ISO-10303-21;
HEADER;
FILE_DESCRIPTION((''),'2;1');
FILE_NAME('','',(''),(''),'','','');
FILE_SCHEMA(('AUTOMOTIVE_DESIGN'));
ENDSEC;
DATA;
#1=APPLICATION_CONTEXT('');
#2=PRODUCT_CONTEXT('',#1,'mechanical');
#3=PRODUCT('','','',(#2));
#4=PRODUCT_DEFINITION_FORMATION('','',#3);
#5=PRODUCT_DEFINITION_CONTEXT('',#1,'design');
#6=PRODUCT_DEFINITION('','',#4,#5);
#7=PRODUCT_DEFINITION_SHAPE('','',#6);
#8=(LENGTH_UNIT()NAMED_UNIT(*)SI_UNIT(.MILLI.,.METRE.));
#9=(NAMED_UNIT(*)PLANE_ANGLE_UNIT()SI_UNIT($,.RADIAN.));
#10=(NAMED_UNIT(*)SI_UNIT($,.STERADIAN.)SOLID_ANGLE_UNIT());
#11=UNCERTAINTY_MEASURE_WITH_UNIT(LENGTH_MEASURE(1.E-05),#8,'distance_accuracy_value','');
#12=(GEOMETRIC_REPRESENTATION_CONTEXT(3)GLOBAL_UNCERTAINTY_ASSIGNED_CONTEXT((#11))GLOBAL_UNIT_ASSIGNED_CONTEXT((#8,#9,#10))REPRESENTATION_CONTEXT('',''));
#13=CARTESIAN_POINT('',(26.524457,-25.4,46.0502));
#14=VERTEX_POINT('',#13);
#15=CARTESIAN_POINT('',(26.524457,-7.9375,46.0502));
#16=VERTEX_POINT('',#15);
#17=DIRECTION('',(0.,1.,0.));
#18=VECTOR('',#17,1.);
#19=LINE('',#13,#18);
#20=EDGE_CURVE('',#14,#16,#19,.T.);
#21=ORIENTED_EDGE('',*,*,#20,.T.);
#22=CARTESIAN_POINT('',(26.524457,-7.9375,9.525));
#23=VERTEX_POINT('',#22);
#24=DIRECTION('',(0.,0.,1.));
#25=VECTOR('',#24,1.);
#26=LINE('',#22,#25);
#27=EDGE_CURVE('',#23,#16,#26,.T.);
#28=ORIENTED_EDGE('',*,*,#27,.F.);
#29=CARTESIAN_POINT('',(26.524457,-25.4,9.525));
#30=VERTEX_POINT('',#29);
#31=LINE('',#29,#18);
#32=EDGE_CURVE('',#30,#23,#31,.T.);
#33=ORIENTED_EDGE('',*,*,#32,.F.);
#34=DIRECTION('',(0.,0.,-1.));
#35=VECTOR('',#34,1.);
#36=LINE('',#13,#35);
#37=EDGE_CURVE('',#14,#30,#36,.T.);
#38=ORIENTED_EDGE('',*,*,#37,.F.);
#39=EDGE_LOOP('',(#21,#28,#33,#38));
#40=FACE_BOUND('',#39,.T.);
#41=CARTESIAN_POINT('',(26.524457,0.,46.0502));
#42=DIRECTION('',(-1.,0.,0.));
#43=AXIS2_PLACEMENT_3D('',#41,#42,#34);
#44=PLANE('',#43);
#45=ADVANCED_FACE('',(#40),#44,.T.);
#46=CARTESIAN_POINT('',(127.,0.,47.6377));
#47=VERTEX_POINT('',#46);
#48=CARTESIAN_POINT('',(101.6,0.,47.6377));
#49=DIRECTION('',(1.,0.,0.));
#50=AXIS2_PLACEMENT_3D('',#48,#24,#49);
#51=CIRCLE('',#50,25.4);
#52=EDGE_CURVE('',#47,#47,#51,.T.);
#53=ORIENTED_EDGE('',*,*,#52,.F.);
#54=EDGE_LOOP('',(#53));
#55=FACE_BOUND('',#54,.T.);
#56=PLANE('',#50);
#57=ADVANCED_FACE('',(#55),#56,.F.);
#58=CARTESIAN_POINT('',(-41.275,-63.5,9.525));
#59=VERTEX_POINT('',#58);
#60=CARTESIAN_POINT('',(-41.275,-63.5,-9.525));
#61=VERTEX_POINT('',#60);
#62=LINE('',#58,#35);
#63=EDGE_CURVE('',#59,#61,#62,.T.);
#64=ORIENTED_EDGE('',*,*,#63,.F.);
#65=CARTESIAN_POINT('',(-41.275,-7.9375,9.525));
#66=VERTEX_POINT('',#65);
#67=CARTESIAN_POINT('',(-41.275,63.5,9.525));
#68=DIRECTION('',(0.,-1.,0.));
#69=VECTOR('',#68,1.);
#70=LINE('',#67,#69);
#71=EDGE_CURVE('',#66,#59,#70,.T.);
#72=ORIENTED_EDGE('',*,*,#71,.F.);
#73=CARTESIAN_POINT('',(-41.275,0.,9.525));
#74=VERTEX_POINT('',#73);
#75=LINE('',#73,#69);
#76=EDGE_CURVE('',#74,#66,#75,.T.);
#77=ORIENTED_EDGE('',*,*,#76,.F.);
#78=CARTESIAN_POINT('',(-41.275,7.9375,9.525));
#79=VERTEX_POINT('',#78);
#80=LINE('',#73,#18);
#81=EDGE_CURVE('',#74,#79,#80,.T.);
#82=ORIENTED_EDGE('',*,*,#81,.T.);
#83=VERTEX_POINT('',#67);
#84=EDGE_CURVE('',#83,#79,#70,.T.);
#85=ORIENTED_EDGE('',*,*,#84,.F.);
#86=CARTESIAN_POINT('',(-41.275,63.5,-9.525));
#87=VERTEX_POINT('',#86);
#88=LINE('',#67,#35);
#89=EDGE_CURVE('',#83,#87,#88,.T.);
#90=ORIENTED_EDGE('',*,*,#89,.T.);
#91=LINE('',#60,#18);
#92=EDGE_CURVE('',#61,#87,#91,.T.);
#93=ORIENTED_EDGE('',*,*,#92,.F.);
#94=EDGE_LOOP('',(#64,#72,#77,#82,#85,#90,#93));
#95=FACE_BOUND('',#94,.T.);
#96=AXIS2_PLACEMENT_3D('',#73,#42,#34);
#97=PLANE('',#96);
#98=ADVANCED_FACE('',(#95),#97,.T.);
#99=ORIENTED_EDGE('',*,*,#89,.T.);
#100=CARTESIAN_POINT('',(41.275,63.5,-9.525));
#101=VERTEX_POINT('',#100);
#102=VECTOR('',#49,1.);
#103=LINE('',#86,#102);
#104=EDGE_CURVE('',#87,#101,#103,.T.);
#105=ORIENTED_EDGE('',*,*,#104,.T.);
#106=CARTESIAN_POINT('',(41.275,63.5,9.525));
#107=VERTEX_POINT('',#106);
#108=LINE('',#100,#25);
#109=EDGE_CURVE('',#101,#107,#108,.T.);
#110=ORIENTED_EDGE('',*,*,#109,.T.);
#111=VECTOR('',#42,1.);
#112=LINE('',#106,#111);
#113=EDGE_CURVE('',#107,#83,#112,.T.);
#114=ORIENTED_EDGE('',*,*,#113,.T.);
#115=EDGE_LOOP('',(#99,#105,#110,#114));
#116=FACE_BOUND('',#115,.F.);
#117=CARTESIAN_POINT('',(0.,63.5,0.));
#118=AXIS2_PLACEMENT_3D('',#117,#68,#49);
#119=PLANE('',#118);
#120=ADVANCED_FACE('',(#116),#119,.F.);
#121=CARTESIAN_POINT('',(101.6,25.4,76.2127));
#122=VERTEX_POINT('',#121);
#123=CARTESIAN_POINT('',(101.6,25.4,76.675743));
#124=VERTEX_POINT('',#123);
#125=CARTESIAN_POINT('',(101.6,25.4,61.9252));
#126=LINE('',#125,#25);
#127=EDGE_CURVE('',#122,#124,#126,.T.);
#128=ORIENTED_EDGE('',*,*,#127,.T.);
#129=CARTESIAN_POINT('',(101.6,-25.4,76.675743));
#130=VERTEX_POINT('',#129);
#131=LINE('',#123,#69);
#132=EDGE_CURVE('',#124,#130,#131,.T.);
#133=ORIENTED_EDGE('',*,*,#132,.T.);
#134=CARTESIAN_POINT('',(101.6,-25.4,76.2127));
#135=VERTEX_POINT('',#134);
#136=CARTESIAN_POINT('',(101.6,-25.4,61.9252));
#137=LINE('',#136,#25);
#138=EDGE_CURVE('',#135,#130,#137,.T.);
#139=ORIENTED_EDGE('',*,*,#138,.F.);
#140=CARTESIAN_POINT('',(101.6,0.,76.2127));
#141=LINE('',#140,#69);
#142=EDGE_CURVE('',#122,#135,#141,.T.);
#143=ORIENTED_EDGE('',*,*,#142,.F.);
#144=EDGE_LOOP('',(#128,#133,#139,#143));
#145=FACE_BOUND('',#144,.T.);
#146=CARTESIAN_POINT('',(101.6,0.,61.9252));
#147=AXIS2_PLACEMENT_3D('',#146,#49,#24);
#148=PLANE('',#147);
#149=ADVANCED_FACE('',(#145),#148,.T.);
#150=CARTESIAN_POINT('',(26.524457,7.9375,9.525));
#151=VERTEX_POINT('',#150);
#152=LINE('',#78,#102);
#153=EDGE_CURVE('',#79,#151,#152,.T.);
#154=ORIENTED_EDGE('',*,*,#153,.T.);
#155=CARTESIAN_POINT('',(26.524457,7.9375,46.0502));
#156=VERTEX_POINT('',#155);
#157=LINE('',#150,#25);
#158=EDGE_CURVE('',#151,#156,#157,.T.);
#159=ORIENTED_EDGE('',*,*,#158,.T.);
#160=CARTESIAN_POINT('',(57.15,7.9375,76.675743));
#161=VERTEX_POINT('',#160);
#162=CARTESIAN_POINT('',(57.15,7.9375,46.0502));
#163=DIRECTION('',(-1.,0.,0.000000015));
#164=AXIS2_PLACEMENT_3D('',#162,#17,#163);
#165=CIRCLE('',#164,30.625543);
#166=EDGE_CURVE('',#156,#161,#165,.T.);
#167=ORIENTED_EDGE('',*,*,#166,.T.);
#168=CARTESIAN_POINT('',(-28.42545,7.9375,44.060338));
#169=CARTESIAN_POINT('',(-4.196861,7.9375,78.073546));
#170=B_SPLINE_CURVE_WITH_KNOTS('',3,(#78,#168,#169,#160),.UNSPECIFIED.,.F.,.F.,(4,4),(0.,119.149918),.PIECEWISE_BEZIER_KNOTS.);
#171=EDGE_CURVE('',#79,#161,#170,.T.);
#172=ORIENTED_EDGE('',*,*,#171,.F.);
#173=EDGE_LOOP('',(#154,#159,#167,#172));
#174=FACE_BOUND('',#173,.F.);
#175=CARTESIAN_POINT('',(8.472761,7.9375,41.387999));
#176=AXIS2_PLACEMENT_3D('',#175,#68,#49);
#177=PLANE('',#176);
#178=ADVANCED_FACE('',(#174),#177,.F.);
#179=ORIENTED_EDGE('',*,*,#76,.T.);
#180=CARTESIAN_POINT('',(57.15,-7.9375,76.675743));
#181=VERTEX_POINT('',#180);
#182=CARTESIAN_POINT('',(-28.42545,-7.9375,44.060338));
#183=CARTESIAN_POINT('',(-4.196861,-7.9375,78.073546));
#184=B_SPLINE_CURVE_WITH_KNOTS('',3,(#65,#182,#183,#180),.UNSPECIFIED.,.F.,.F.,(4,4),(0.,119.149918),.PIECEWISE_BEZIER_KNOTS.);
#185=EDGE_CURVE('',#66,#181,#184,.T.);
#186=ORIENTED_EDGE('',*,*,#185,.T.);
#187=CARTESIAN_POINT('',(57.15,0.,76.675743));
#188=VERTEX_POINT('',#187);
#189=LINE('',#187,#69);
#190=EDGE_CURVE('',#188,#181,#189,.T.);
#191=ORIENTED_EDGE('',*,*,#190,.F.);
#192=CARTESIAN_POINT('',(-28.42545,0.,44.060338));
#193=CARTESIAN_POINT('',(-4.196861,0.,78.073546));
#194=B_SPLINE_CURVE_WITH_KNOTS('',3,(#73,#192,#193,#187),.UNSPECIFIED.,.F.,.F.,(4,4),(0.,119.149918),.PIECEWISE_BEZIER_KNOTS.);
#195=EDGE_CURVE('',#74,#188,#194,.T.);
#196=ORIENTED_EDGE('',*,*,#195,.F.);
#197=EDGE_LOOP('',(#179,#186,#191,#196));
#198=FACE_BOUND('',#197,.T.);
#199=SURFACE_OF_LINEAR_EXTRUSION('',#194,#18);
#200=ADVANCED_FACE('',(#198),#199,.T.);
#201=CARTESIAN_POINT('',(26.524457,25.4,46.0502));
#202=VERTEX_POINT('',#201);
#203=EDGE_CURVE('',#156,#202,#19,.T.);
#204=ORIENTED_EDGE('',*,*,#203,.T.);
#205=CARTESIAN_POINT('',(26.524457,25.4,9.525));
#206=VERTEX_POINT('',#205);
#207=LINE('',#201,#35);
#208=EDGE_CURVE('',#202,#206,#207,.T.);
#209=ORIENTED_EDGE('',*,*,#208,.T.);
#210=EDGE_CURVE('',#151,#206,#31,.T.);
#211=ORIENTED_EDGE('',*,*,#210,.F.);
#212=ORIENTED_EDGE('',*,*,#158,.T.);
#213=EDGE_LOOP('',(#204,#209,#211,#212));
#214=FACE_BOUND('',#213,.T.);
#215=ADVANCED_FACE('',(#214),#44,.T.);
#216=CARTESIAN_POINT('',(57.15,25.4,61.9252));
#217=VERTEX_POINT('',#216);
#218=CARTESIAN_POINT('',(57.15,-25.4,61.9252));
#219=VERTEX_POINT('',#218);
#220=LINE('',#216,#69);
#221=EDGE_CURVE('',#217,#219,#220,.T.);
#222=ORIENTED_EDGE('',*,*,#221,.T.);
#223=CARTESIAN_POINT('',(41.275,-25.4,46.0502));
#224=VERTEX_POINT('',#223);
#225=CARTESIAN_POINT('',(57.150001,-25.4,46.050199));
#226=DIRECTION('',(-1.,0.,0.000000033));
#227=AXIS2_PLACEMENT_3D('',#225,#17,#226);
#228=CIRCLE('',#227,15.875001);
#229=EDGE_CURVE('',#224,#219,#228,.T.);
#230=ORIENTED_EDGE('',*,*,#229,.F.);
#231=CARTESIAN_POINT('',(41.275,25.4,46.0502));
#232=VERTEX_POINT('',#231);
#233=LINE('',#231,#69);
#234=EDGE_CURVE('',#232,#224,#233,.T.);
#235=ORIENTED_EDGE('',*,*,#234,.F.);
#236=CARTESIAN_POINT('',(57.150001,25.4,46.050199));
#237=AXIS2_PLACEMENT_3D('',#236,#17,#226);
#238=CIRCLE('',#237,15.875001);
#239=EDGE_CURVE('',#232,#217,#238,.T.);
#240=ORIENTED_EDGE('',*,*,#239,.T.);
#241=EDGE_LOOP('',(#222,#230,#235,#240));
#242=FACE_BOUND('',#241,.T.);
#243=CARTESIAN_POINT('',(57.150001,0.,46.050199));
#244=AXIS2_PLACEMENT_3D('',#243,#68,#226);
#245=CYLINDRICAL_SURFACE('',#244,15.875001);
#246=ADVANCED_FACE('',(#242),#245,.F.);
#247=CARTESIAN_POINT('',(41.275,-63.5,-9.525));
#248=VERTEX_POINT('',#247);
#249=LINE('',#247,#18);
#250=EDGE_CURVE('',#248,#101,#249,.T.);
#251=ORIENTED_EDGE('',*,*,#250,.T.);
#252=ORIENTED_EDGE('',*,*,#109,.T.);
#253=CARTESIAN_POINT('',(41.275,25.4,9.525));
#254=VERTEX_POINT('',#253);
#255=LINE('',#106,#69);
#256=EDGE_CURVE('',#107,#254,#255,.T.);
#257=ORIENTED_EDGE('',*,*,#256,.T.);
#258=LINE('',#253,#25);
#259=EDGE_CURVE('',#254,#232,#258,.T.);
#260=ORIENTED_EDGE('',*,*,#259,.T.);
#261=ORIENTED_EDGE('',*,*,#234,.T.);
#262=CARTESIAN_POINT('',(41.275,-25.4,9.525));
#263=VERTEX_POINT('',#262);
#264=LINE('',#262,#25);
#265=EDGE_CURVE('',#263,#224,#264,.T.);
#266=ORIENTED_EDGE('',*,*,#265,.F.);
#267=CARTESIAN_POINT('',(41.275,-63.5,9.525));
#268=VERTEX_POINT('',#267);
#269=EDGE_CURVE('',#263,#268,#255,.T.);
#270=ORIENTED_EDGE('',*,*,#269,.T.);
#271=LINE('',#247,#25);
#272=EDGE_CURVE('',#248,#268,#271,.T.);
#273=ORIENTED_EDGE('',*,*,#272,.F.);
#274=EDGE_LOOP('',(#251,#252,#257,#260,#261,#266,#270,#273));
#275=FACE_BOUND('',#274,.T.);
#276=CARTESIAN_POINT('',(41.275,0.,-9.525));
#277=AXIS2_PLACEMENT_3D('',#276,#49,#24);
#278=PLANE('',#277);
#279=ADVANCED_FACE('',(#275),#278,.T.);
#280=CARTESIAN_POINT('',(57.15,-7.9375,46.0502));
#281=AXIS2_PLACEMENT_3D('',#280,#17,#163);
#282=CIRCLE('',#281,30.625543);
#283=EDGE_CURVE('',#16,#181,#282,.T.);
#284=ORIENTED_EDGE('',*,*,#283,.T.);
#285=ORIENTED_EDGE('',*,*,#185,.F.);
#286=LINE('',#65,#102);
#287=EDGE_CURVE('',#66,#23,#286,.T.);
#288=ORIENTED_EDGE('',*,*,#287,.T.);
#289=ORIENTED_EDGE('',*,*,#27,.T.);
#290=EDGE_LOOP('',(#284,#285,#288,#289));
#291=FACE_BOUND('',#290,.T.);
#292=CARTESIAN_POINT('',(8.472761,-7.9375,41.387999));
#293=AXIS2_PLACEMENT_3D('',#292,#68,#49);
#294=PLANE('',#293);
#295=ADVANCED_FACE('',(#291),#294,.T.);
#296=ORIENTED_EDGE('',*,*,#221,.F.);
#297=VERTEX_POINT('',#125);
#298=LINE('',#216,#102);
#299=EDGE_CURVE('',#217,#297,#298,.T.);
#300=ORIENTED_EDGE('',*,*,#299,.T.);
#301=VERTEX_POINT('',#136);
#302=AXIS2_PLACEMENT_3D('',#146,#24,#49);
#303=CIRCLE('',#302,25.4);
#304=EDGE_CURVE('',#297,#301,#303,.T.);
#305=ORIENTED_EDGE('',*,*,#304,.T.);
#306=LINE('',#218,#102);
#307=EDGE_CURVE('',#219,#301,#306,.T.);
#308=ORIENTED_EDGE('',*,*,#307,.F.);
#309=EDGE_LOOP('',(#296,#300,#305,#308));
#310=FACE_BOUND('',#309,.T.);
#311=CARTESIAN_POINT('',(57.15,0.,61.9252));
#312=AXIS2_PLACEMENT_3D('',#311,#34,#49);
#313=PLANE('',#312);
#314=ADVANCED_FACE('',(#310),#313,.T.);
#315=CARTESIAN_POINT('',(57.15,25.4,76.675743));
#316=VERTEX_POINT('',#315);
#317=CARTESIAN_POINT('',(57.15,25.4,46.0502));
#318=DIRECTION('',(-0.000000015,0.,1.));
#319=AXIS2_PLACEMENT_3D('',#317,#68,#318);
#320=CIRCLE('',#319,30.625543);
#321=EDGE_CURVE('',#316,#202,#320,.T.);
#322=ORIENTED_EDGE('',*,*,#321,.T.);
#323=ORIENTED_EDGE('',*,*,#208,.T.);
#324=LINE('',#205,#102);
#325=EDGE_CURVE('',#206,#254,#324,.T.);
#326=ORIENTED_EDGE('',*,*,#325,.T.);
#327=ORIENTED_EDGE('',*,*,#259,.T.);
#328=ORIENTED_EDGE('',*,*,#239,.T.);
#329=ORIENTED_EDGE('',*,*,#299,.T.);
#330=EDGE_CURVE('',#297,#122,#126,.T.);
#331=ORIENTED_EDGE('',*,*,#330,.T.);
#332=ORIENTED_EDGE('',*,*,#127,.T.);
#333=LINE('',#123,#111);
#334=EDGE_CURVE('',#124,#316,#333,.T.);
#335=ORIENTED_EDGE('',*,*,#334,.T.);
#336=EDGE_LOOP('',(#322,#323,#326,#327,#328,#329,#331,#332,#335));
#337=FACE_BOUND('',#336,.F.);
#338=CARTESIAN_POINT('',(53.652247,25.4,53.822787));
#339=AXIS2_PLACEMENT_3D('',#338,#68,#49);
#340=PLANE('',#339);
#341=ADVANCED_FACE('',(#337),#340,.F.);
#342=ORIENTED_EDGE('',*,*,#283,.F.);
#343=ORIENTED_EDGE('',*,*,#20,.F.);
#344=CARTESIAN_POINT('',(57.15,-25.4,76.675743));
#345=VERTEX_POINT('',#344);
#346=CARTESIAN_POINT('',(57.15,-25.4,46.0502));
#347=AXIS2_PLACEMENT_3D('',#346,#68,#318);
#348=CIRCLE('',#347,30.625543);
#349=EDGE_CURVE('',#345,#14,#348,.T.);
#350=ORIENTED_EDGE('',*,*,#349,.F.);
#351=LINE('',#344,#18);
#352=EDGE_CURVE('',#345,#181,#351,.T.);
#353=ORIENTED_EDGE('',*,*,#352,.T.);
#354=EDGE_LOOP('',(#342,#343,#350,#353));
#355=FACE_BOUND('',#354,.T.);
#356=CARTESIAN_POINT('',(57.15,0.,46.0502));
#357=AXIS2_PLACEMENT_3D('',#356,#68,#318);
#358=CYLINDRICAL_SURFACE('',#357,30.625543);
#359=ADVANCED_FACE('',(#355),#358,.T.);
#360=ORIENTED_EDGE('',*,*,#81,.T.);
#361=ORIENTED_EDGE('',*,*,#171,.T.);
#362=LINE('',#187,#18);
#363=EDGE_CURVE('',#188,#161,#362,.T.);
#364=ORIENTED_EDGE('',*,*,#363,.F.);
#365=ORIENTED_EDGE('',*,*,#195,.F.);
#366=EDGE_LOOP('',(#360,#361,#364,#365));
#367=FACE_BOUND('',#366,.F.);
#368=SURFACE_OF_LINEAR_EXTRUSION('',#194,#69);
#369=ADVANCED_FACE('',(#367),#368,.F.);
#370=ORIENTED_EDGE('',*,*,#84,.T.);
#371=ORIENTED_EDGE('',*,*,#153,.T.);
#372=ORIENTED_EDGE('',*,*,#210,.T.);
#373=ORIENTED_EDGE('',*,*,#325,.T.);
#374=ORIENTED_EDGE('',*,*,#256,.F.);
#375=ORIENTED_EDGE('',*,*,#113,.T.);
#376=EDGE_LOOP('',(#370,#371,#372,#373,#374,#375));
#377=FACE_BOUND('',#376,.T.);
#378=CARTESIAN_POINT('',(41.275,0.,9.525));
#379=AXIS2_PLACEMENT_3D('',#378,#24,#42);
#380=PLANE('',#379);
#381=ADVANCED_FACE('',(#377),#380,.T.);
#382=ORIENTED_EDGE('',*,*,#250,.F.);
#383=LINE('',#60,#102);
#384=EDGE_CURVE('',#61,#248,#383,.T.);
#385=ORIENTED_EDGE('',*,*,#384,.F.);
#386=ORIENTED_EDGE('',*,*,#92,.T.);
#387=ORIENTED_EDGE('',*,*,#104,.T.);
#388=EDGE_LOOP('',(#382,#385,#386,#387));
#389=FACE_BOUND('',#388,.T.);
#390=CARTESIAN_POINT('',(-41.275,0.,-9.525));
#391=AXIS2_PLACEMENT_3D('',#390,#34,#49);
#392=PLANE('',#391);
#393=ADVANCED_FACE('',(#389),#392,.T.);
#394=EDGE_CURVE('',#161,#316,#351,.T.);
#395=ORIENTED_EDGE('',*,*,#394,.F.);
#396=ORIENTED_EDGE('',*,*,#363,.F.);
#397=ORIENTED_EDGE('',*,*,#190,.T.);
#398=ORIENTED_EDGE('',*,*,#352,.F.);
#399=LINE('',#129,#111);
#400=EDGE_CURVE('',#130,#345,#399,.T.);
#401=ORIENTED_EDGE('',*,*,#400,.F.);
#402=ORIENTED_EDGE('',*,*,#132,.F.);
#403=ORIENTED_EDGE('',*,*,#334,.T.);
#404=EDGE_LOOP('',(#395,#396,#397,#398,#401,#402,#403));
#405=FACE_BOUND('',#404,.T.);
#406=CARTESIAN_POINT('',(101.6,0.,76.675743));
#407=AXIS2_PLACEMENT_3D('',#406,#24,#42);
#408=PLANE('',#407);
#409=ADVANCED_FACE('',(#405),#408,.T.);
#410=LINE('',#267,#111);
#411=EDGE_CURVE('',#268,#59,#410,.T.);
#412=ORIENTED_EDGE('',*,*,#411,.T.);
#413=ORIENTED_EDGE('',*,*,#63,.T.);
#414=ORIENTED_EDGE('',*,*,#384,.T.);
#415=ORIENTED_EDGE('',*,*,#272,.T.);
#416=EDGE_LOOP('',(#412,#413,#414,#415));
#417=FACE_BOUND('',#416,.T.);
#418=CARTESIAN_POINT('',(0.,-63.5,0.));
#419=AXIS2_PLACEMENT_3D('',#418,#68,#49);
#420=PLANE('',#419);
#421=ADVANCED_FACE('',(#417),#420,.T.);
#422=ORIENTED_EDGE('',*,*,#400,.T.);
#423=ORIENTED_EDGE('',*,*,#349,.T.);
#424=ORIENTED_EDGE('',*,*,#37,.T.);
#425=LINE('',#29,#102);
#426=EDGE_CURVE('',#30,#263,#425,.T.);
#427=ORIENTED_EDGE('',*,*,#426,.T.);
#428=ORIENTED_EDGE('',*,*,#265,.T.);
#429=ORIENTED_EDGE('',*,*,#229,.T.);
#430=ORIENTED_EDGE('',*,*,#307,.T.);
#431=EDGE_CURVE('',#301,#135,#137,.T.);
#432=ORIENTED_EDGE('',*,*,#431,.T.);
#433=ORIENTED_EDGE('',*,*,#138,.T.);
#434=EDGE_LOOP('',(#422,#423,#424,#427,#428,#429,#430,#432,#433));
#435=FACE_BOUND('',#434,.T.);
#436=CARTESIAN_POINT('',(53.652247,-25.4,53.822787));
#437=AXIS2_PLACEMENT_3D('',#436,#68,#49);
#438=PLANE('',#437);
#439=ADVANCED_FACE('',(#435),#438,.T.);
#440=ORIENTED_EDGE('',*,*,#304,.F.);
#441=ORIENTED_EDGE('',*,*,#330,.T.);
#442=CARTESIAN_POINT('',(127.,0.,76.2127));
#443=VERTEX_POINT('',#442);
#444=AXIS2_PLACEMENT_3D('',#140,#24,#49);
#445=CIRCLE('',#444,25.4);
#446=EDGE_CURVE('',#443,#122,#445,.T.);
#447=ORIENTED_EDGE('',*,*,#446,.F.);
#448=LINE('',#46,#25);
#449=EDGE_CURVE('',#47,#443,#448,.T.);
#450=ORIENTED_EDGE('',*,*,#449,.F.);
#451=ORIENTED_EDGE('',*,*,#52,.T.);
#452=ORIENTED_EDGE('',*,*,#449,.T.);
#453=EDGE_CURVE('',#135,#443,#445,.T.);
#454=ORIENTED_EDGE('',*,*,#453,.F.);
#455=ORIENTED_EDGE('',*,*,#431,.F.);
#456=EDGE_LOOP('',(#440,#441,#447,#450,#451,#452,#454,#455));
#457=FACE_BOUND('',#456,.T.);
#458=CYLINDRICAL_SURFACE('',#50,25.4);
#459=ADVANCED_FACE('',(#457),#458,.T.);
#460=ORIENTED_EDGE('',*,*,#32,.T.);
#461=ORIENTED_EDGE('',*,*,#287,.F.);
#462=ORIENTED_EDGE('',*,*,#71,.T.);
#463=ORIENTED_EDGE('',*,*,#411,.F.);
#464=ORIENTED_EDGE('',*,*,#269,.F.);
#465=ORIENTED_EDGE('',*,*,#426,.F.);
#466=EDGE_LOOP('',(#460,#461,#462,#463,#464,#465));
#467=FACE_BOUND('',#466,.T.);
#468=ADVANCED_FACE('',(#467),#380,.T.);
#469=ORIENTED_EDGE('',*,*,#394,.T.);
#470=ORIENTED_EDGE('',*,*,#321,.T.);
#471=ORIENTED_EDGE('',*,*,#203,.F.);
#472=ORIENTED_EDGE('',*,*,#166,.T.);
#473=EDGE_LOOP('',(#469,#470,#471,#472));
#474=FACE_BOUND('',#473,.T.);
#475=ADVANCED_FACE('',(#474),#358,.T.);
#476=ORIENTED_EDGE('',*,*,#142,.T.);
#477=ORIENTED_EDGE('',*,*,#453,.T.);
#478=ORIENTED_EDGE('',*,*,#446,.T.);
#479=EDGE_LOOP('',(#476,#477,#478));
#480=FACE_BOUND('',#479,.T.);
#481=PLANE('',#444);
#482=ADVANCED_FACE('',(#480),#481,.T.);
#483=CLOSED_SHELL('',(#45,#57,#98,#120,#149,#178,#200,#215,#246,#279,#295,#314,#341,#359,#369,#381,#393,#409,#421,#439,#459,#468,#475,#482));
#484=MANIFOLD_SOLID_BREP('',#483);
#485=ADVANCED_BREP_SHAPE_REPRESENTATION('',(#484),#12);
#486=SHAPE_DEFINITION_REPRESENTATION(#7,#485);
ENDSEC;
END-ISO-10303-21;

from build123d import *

# Parameters (mm, degrees)
F1_DEPTH = 63.5
F0_W     = 25.4
F0_H     = 14.2875
F2_DEPTH = 25.4
F3_DEPTH = 7.9375


with BuildPart() as f1:
    # F0 (on Front) → F1 (new body, symmetric)
    with BuildSketch(Plane.XZ):
        Polygon((41.275, -9.525), (41.275, 9.525), (26.524457, 9.525), (-41.275, 9.525), (-41.275, -9.525), align=None)
    extrude(amount=F1_DEPTH, both=True)

    # F0 (on Front) → F2 (join, symmetric)
    with BuildSketch(Plane.XZ):
        with BuildLine():
            Line((26.524457, 9.525), (41.275, 9.525))
            Line((41.275, 9.525), (41.275, 46.0502))
            ThreePointArc((41.275, 46.0502), (45.92468, 57.27552), (57.15, 61.9252))
            Line((57.15, 61.9252), (76.2, 61.9252))
            Line((76.2, 61.9252), (76.2, 76.2127))
            Line((76.2, 76.2127), (101.6, 76.2127))
            Line((101.6, 76.2127), (101.6, 76.675743))
            Line((101.6, 76.675743), (57.15, 76.675743))
            ThreePointArc((57.15, 76.675743), (35.494471, 67.705729), (26.524457, 46.0502))
            Line((26.524457, 46.0502), (26.524457, 9.525))
        make_face()
        with Locations((88.9, 69.06895)):
            Rectangle(F0_W, F0_H)
    extrude(amount=F2_DEPTH, both=True)

    # F0 (on Front) → F3 (join, symmetric)
    with BuildSketch(Plane.XZ):
        with BuildLine():
            Line((-41.275, 9.525), (26.524457, 9.525))
            Line((26.524457, 9.525), (26.524457, 46.0502))
            ThreePointArc((26.524457, 46.0502), (35.494471, 67.705729), (57.15, 76.675743))
            add(Edge.make_bspline(
                [(-41.275, 9.525), (-28.42545, 44.060338), (-4.196861, 78.073546), (57.15, 76.675743)],
                knots=[0, 0, 0, 0, 119.149918, 119.149918, 119.149918, 119.149918], degree=3))
        make_face()
    extrude(amount=F3_DEPTH, both=True)

    # F0 (on Front) → F4 (revolve)
    with BuildSketch(Plane.XZ):
        Polygon((101.6, 76.2127), (101.6, 61.9252), (101.6, 47.6377), (127, 47.6377), (127, 76.2127), align=None)
    revolve(axis=Axis((101.6, 0, 62.156721), (0, 0, 1)))


solid = f1.part
